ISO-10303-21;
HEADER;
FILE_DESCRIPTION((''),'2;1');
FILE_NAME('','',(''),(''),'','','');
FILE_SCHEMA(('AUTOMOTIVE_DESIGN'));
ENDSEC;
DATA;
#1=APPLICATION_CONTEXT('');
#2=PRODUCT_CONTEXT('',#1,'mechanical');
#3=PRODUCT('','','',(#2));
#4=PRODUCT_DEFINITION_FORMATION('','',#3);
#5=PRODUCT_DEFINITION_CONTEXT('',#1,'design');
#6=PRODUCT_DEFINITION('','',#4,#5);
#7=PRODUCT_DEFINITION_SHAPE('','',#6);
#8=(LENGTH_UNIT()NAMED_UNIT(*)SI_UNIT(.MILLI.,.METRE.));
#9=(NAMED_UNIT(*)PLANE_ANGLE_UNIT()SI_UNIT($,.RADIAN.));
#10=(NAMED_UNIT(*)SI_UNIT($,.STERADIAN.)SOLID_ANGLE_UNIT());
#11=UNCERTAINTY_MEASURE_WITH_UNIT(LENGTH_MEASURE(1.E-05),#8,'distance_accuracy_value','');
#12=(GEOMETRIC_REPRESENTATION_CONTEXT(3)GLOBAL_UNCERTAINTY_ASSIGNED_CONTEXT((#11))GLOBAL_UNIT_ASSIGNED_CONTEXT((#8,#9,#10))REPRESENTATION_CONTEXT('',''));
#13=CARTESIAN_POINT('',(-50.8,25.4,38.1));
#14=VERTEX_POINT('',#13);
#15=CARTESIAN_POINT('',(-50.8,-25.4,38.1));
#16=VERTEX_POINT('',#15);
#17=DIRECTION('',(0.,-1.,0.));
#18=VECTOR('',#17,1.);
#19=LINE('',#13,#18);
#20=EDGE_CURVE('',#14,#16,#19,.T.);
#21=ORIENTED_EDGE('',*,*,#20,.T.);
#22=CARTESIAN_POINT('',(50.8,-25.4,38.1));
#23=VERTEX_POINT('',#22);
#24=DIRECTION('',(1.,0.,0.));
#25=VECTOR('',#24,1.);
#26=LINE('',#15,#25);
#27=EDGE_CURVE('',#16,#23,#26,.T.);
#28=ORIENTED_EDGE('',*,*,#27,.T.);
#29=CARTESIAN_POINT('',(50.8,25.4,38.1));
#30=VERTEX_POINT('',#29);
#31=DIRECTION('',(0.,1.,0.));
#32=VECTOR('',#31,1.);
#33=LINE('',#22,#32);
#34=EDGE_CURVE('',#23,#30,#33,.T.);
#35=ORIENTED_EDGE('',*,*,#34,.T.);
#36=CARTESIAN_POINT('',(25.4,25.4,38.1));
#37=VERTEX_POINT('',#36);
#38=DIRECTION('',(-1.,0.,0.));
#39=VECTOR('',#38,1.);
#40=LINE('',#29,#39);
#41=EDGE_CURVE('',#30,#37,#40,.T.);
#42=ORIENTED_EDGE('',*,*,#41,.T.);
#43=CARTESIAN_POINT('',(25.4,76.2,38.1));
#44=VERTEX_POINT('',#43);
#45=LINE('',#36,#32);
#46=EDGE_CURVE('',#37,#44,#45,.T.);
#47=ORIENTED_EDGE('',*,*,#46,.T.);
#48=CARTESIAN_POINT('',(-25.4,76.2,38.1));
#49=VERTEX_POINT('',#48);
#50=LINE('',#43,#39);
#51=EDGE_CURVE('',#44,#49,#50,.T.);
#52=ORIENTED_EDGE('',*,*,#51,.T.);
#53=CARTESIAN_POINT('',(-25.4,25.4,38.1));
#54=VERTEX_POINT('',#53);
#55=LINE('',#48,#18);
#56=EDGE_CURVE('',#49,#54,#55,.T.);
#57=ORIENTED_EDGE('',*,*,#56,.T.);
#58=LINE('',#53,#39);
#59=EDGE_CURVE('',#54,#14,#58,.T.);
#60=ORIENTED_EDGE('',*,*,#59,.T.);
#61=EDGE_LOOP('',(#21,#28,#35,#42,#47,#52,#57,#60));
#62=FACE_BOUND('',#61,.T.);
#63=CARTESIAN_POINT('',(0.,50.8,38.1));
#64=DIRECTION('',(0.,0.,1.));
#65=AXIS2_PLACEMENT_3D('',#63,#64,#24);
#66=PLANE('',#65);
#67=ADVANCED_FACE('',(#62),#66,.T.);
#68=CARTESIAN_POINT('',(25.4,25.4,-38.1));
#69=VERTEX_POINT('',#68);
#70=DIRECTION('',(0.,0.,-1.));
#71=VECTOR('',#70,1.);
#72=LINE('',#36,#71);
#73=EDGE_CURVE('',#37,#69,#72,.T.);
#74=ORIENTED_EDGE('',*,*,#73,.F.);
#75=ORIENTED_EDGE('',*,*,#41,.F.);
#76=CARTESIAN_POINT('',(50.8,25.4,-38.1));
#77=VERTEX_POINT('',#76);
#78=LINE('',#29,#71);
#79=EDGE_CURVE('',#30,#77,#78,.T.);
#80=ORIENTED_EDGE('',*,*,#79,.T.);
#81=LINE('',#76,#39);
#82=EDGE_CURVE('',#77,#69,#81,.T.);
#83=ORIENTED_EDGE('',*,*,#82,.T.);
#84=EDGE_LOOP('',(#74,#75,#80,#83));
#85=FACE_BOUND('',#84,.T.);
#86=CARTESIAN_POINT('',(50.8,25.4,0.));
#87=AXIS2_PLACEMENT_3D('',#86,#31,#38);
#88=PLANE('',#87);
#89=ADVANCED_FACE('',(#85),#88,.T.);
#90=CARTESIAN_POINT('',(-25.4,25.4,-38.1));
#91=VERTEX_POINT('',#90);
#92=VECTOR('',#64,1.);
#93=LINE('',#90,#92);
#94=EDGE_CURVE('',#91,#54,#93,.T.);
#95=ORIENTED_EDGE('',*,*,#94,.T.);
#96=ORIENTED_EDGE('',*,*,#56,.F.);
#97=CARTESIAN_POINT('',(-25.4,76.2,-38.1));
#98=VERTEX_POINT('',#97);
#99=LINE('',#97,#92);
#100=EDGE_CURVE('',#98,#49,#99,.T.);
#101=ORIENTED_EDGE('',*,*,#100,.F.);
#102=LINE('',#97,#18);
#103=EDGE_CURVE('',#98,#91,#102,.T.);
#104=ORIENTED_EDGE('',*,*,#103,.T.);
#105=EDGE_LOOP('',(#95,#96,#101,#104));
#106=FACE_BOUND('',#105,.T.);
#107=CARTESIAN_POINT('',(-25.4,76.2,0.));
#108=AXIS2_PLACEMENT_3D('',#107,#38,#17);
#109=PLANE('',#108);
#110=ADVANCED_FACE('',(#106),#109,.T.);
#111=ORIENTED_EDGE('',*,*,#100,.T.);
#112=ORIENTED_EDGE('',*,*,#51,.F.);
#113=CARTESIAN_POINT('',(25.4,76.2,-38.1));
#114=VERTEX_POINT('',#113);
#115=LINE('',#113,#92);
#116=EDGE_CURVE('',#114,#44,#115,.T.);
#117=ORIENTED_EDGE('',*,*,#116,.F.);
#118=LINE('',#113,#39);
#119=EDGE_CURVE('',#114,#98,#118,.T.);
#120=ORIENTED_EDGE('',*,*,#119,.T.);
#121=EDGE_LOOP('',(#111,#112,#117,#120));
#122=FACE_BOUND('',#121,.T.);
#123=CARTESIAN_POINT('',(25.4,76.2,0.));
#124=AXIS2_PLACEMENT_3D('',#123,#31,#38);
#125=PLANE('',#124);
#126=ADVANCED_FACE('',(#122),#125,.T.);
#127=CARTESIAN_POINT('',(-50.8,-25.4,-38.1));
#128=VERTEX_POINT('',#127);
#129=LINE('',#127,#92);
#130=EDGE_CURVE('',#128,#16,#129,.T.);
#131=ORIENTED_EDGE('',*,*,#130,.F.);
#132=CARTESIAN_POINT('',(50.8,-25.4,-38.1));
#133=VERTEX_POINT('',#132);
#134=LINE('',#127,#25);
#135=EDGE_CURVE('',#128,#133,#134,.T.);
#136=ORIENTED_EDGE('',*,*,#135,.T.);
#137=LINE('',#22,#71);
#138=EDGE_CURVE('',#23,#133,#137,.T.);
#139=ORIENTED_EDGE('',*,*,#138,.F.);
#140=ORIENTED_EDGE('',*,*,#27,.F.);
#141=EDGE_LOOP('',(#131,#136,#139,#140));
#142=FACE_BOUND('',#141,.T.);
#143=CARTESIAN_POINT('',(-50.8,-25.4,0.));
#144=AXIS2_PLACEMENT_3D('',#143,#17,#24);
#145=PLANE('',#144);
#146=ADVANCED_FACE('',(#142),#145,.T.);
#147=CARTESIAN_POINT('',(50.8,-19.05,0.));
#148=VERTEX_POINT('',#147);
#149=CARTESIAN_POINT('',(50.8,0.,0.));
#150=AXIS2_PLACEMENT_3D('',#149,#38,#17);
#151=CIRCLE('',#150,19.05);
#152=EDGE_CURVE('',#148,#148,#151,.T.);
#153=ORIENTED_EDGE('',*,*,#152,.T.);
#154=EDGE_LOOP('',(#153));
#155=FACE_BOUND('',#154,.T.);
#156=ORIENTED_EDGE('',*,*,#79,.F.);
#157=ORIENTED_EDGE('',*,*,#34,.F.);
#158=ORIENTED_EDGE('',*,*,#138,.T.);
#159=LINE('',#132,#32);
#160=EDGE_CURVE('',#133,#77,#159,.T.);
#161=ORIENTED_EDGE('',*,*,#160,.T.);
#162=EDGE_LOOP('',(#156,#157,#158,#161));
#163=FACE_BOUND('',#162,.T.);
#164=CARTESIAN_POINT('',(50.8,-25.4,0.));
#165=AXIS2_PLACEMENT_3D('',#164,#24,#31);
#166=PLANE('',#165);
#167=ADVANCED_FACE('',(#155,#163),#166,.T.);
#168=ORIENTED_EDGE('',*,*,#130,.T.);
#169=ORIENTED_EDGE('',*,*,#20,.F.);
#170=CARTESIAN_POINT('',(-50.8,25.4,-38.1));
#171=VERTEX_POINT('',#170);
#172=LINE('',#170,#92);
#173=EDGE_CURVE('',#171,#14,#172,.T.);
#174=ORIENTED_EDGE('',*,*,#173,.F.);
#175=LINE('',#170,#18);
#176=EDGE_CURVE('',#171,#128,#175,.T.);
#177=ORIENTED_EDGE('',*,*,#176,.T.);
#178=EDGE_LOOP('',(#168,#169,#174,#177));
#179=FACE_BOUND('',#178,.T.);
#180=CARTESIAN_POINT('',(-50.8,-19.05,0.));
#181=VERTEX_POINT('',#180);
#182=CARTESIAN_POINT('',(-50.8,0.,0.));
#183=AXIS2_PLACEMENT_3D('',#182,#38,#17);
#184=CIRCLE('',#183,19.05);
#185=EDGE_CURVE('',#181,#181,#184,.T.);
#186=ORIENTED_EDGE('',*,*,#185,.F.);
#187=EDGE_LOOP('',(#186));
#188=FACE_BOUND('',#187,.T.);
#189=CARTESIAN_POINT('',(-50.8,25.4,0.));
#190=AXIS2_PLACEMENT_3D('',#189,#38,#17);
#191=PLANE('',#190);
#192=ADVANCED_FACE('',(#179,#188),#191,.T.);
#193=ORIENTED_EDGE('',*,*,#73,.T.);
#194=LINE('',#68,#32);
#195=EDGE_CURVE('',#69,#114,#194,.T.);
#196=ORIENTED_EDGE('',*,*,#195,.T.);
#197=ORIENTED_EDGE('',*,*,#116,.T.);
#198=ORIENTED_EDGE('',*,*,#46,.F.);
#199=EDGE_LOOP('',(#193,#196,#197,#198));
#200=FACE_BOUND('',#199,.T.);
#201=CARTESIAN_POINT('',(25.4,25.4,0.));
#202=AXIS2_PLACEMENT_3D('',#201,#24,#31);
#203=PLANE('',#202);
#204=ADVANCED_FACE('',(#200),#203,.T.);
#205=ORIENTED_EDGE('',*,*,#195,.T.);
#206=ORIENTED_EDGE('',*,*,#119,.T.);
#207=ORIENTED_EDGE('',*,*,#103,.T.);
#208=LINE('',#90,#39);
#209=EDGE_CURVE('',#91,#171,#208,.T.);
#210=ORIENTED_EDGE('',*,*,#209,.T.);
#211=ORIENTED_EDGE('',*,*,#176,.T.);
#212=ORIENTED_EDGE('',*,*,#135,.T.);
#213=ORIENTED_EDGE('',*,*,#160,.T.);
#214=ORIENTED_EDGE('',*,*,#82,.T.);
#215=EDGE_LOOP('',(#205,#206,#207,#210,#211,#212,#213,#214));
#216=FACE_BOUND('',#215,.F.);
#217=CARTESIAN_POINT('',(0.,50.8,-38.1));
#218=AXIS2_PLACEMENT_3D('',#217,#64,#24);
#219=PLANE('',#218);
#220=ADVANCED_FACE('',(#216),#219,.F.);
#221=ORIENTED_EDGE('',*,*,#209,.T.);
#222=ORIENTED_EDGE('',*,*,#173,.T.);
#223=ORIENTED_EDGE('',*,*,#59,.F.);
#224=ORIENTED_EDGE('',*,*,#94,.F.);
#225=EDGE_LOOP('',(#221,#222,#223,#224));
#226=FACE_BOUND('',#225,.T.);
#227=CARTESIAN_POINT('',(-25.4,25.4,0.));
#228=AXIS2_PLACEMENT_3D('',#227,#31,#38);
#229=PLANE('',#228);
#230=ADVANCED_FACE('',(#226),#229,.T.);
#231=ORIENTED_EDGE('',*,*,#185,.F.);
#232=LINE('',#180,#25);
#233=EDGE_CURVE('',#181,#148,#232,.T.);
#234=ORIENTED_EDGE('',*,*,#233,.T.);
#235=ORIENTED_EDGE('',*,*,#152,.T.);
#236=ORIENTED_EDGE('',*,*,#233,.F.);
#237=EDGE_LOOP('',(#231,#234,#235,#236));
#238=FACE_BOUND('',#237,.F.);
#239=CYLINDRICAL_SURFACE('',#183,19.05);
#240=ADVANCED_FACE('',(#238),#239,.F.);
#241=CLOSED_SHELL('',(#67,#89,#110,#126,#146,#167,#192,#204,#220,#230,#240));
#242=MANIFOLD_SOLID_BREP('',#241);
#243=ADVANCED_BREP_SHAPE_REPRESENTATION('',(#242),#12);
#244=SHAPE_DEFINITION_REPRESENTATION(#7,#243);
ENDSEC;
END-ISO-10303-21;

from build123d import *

# Parameters (mm, degrees)
F1_DEPTH = 38.1
F2_R     = 19.05
F3_DEPTH = 101.6


with BuildPart() as f1:
    # F0 (on Top) → F1 (new body, symmetric)
    with BuildSketch(Plane.XY):
        Polygon((0, 25.4), (25.4, 25.4), (25.4, 76.2), (-25.4, 76.2), (-25.4, 25.4), align=None)
        Polygon((-50.8, -25.4), (50.8, -25.4), (50.8, 25.4), (25.4, 25.4), (0, 25.4), (-25.4, 25.4), (-50.8, 25.4), align=None)
    extrude(amount=F1_DEPTH, both=True)

    # F2 (on face) → F3 (cut, through all)
    with BuildSketch(Plane(origin=(-50.8, 0, 0), x_dir=(0, -1, 0), z_dir=(-1, 0, 0))):
        Circle(F2_R)
    extrude(amount=-F3_DEPTH, mode=Mode.SUBTRACT)


solid = f1.part
